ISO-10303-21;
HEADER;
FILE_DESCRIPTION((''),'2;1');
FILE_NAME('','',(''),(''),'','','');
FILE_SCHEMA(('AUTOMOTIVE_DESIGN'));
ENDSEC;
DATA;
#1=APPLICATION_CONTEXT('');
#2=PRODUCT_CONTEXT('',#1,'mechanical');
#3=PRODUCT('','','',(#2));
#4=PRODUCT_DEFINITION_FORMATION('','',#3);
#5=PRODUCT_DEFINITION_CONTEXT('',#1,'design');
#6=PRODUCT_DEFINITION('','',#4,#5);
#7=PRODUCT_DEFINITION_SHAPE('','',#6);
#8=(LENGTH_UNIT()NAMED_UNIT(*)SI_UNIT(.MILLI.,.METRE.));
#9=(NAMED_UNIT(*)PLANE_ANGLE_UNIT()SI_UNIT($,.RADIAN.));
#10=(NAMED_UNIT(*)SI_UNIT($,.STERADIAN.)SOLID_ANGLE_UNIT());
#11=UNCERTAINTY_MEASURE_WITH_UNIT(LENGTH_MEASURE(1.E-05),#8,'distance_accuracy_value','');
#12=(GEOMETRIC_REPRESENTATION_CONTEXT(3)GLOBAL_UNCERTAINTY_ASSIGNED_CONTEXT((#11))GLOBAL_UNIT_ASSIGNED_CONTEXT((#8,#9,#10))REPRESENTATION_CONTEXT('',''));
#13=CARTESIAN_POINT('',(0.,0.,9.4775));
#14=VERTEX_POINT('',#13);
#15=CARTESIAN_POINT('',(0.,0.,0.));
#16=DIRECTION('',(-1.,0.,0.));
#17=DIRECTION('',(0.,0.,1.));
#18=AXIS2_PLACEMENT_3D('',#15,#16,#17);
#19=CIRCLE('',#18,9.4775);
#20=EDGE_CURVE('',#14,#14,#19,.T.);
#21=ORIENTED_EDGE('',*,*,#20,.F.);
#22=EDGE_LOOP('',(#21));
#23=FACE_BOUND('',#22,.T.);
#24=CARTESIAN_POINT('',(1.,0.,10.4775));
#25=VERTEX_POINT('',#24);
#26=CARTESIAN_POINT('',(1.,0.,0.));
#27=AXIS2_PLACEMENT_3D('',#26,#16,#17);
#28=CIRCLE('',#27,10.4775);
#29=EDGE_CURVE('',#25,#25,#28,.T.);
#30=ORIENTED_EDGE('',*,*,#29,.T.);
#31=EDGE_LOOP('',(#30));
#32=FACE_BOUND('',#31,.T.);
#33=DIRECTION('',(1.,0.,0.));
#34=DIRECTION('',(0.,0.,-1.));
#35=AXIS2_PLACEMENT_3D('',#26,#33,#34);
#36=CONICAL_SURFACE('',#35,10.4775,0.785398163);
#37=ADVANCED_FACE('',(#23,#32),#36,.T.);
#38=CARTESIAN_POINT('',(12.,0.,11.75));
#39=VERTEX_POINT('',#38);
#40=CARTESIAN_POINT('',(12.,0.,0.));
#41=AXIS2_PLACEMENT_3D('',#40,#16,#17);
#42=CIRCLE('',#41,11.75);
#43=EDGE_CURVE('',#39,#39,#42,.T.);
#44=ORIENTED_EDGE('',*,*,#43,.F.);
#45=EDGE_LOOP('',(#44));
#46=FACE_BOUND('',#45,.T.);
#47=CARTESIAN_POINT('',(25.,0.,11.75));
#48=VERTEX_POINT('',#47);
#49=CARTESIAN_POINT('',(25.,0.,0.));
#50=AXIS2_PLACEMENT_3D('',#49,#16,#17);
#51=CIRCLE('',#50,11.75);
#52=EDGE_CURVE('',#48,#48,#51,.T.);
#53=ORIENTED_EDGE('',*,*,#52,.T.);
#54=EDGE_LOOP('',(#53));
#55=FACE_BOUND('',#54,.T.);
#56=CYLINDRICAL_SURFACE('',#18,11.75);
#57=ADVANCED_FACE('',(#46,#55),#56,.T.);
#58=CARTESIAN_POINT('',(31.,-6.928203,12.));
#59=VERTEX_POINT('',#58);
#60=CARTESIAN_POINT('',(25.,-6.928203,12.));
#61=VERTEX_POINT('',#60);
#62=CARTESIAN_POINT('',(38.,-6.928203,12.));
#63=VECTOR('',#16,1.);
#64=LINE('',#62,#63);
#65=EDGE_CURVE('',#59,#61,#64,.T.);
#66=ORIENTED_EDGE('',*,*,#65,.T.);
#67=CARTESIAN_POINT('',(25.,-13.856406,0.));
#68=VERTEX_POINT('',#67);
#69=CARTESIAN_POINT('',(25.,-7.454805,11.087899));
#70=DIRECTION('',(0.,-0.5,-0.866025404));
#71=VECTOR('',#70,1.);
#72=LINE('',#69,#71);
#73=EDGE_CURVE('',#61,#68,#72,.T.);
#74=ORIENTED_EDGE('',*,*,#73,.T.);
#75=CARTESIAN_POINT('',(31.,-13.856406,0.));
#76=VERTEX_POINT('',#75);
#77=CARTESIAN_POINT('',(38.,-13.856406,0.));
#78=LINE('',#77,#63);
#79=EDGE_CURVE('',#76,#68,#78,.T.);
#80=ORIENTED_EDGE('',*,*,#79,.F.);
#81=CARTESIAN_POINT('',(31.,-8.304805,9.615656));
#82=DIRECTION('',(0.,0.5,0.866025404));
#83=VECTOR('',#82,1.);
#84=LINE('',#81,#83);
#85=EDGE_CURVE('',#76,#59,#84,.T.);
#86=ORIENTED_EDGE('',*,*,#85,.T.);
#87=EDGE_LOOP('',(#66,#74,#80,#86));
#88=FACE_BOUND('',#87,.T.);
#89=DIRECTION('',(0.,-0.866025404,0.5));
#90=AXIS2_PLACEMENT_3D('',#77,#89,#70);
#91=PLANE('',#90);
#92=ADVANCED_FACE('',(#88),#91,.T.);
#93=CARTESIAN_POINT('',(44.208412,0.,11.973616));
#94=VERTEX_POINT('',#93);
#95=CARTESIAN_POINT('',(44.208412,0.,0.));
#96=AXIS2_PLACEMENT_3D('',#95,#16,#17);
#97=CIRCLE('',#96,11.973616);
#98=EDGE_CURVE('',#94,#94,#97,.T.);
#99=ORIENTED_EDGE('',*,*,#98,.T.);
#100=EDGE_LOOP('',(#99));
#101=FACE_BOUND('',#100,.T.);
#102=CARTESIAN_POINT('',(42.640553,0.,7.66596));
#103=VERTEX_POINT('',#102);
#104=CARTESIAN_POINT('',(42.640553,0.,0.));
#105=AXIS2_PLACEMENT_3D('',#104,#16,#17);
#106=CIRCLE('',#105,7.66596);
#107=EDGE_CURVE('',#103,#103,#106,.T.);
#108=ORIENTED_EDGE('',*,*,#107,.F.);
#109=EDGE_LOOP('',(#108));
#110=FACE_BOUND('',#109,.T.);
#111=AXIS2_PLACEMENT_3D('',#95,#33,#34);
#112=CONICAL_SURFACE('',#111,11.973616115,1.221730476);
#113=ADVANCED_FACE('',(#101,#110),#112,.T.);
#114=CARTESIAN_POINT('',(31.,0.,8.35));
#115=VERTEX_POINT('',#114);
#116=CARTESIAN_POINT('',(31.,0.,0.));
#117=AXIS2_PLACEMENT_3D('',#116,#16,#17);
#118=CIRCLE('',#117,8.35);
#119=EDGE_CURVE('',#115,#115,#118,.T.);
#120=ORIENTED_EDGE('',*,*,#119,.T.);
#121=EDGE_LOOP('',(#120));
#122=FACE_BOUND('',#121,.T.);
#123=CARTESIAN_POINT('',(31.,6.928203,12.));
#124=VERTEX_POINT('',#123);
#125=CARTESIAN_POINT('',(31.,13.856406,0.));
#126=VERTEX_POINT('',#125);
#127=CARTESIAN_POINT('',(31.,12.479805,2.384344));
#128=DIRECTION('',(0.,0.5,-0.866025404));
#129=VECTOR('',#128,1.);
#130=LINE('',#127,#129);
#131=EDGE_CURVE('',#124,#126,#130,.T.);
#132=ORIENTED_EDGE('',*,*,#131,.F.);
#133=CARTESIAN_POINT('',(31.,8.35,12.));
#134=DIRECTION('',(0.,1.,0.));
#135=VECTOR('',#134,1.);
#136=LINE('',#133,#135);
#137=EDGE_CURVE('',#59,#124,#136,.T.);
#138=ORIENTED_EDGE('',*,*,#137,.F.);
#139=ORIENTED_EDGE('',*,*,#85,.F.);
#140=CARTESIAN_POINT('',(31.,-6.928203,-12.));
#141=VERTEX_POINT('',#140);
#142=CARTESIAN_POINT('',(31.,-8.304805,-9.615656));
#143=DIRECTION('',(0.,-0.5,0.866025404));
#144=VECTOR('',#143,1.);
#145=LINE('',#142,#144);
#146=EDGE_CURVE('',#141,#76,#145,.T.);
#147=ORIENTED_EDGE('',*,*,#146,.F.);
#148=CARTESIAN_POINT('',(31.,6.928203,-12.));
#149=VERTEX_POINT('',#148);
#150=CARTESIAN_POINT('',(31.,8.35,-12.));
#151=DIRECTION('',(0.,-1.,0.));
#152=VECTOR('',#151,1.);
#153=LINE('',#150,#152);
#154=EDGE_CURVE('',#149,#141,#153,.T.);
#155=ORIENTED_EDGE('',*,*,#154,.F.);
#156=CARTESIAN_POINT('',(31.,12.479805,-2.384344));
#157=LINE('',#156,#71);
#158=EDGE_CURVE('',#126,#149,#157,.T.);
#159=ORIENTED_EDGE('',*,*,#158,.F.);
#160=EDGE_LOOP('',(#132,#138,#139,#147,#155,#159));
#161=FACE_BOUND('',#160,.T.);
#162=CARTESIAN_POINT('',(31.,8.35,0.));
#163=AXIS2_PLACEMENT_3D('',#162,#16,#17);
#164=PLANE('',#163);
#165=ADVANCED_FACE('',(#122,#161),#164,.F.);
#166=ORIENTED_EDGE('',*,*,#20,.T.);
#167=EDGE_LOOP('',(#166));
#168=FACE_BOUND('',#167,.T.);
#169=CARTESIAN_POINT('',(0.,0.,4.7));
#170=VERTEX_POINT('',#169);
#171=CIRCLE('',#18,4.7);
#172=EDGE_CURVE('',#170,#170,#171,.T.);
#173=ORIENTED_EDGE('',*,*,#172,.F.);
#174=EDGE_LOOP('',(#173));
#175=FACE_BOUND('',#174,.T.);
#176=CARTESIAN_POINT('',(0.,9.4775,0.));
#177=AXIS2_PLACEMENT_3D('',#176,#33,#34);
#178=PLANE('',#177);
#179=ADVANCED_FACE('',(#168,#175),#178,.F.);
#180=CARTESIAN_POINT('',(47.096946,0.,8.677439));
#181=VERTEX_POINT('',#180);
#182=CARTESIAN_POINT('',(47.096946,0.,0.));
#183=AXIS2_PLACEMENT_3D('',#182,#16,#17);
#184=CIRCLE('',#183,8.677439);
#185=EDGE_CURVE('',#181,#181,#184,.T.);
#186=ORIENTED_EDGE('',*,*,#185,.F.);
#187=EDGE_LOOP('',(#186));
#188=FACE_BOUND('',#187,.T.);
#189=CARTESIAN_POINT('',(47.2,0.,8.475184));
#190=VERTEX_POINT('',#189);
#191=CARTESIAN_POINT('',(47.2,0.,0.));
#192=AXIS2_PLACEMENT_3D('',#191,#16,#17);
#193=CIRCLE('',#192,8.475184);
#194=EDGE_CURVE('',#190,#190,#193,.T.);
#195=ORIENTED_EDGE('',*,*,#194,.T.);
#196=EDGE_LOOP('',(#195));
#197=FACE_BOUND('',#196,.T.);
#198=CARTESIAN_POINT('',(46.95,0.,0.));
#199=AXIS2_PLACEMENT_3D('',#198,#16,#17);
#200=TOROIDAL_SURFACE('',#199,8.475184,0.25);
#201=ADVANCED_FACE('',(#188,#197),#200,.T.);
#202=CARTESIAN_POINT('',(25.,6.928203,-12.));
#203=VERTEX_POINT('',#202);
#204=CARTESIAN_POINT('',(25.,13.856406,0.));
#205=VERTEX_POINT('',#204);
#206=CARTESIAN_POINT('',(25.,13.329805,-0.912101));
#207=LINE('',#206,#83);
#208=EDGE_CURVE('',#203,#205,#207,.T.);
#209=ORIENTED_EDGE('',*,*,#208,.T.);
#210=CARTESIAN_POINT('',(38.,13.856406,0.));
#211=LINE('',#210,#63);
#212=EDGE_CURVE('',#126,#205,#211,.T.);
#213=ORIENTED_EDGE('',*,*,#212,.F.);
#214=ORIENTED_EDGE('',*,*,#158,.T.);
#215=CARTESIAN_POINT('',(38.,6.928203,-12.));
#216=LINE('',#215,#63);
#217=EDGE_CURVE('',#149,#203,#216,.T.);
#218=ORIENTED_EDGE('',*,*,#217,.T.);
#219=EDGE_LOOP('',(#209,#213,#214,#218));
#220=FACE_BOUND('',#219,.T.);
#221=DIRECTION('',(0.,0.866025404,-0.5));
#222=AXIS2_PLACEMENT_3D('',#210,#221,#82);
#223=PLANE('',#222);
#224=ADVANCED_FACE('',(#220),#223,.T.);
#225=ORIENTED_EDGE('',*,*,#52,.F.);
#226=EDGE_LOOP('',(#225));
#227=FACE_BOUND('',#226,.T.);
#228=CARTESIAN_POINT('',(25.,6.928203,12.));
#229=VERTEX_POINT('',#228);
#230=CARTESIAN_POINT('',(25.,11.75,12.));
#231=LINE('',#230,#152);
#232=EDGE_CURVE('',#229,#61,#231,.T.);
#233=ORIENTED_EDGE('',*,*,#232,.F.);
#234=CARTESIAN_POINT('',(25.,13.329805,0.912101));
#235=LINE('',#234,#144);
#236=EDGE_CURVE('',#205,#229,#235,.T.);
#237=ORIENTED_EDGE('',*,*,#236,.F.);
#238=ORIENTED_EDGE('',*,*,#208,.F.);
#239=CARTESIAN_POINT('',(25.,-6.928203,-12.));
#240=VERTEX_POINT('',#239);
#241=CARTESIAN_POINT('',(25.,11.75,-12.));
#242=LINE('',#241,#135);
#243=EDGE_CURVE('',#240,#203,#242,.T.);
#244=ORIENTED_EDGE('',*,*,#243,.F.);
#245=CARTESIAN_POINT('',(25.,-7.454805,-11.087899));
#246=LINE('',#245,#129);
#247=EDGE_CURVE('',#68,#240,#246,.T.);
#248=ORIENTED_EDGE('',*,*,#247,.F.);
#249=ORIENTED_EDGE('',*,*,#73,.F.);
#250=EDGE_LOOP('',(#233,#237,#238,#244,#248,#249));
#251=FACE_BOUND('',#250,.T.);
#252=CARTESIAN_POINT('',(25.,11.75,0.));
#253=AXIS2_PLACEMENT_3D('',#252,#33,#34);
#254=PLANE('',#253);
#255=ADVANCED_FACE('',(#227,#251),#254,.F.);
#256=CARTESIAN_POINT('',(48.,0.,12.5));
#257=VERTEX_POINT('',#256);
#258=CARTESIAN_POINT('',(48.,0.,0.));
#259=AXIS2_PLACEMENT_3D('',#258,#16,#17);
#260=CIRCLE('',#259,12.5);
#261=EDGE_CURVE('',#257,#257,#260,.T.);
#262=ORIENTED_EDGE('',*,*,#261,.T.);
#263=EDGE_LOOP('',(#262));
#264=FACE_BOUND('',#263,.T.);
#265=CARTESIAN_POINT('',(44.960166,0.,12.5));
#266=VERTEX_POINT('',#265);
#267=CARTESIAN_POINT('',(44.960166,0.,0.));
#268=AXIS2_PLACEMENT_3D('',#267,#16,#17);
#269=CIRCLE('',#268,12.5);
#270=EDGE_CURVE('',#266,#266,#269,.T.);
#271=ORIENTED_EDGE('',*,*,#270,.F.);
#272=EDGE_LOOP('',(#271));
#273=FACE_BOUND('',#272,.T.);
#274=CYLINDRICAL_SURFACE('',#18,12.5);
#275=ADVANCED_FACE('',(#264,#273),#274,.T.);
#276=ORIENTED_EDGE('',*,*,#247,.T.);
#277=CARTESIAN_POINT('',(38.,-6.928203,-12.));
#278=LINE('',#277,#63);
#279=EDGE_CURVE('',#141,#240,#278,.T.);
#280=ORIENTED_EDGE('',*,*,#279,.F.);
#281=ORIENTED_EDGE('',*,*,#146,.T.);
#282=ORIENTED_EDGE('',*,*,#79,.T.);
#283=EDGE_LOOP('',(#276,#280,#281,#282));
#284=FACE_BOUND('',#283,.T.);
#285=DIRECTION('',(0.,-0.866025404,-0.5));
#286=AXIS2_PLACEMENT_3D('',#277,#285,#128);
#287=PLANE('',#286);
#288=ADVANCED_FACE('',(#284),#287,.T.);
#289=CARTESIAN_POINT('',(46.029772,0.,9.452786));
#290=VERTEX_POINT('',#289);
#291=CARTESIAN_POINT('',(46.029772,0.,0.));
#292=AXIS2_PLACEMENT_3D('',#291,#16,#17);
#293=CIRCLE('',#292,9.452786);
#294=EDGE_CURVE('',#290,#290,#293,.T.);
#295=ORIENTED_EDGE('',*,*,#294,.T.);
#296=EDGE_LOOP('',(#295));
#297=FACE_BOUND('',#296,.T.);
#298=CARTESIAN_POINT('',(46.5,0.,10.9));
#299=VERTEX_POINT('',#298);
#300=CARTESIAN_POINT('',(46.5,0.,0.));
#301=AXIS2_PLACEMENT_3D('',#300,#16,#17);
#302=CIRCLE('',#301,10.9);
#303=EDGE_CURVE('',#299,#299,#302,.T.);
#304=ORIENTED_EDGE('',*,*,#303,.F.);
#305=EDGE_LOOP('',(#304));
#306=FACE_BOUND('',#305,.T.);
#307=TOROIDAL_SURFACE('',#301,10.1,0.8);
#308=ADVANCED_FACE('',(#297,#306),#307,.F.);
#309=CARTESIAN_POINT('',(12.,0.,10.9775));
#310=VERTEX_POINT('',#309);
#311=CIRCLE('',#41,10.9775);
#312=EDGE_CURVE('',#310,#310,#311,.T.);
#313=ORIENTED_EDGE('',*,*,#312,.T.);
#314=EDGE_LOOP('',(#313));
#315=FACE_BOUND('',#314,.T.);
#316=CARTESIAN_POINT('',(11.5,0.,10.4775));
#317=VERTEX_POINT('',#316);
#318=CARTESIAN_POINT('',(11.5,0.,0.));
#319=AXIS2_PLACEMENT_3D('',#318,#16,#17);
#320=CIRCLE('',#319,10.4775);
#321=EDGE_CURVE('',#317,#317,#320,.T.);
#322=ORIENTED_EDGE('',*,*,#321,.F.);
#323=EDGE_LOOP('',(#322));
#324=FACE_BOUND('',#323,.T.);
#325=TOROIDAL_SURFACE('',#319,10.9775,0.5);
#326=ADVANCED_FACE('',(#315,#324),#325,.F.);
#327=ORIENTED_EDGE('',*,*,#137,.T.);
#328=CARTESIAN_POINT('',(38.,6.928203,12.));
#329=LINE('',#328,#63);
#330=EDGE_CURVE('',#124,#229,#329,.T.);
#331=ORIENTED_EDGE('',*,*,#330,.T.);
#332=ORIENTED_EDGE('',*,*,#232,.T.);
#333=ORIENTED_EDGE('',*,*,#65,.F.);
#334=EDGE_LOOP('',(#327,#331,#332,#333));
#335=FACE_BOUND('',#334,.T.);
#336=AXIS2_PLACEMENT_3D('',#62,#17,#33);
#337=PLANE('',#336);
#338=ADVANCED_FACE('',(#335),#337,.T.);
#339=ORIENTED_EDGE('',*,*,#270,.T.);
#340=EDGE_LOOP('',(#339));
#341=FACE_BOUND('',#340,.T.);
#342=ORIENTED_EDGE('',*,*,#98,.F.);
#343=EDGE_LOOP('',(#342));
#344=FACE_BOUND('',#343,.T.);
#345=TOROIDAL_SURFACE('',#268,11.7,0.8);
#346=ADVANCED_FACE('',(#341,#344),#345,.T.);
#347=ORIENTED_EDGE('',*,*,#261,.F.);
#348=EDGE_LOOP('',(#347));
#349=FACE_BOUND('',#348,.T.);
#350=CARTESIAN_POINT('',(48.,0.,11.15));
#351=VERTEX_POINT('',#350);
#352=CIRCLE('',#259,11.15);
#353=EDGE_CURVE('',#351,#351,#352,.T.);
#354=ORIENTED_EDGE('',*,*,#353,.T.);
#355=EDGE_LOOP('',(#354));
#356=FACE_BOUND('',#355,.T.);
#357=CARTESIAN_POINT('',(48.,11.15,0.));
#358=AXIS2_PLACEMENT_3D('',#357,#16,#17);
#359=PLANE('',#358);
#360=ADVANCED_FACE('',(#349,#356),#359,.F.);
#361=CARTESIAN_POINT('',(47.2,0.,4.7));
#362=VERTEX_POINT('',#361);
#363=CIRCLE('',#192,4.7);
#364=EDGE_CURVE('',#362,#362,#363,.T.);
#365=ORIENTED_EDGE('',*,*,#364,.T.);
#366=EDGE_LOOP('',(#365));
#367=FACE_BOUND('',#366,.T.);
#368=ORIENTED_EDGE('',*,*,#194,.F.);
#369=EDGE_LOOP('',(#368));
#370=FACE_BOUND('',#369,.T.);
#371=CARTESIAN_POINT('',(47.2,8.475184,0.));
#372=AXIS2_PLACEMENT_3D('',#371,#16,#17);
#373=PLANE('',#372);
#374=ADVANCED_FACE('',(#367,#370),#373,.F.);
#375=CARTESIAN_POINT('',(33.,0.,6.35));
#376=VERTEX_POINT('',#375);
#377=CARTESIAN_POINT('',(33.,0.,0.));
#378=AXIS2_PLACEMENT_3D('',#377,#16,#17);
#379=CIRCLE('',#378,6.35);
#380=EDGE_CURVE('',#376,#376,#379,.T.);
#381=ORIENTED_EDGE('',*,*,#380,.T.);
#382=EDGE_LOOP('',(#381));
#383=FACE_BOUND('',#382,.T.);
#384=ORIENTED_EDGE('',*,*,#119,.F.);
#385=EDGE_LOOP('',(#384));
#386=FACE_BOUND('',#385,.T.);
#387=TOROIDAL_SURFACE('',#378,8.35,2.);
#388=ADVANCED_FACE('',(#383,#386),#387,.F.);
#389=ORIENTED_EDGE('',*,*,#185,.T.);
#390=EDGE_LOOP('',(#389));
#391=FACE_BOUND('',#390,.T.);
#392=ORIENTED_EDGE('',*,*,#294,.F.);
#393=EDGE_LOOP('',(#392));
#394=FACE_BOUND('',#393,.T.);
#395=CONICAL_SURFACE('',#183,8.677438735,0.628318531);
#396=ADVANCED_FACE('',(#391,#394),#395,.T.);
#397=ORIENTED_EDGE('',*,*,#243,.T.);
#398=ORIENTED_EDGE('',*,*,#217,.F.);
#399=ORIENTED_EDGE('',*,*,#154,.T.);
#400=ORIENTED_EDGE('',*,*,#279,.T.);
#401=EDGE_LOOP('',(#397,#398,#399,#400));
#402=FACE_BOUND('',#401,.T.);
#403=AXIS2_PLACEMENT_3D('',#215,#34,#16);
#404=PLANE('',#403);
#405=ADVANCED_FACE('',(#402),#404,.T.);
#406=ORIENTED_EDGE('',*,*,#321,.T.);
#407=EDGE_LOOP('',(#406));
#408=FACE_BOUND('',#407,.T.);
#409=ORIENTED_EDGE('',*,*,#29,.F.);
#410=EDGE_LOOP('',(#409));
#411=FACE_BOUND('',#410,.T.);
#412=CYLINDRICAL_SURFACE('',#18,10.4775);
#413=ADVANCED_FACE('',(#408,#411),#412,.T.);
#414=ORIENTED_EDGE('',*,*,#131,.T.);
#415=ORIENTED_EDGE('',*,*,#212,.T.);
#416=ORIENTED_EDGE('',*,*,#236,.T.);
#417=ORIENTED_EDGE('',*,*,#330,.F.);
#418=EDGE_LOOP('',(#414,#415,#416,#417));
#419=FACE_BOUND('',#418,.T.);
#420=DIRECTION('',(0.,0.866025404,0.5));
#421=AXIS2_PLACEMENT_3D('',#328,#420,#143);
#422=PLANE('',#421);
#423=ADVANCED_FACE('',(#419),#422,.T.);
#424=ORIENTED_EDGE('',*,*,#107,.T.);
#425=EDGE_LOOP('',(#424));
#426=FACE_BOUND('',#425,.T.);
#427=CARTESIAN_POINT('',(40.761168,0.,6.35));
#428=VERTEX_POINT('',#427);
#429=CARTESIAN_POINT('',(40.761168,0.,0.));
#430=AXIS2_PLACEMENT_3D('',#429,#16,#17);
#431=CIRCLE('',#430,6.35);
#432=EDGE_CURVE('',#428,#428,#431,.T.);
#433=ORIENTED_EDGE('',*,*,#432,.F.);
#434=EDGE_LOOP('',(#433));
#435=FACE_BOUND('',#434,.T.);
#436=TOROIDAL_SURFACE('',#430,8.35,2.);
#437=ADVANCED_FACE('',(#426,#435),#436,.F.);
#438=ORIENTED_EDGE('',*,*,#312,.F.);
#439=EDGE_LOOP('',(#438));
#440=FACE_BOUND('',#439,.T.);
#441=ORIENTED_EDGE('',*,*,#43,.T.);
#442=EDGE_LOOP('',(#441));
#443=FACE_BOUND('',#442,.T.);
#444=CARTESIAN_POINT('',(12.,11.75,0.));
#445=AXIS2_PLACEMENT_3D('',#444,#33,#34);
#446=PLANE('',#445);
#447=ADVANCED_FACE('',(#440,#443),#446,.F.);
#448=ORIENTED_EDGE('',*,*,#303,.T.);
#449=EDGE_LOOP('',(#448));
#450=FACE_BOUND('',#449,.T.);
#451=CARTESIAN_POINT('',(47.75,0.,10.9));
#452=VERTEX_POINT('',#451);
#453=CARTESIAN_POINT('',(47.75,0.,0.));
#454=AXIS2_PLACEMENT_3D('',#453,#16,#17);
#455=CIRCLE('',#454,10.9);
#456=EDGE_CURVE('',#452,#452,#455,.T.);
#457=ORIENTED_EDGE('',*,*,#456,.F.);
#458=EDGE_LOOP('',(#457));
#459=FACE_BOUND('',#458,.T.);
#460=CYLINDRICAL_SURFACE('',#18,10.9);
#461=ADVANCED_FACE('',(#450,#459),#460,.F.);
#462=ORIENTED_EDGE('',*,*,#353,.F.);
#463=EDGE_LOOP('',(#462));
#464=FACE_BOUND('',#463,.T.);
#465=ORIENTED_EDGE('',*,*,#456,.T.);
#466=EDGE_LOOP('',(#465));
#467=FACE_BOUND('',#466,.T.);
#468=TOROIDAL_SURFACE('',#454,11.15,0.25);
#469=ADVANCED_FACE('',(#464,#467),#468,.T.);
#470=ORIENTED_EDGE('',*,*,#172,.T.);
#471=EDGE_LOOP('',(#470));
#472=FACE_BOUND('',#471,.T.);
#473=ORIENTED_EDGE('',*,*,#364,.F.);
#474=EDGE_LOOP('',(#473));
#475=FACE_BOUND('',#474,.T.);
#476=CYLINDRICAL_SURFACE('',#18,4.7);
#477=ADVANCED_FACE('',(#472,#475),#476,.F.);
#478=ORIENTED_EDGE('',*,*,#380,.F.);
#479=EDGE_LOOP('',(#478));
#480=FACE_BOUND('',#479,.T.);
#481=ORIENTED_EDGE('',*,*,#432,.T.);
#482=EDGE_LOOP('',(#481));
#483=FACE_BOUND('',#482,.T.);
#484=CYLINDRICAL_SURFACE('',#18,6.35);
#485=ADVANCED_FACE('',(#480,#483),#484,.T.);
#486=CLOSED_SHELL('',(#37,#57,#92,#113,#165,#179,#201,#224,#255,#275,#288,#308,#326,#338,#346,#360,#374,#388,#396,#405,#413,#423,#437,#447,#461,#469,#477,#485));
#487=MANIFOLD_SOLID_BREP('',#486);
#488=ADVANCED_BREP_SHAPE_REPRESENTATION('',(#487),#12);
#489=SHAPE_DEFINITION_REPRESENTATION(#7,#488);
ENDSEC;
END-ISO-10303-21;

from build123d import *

# Parameters (mm, degrees)
SCHNITT_LINEAR_START            = -38
SKIZZE2_R                       = 15
SCHNITT_LINEAR_AUSTRAGEN1_DEPTH = 38


with BuildPart() as part:
    # Skizze1 → Rotation1 (revolve)
    with BuildSketch(Plane.XY, mode=Mode.PRIVATE) as rotation1_sk:
        with BuildLine():
            Line((47.75, 10.9), (46.5, 10.9))
            ThreePointArc((46.5, 10.9), (45.739154787, 10.347213595), (46.029771798, 9.452786405))
            Line((46.029771798, 9.452786405), (47.096946313, 8.677438735))
            ThreePointArc((47.096946313, 8.677438735), (47.172751631, 8.588682111), (47.2, 8.475184486))
            Line((47.2, 8.475184486), (47.2, 4.7))
            Line((47.2, 4.7), (0, 4.7))
            Line((0, 4.7), (0, 9.4775))
            Line((0, 9.4775), (1, 10.4775))
            Line((1, 10.4775), (11.5, 10.4775))
            ThreePointArc((11.5, 10.4775), (11.853553391, 10.623946609), (12, 10.9775))
            Line((12, 10.9775), (12, 11.75))
            Line((12, 11.75), (25, 11.75))
            Line((25, 11.75), (25, 15))
            Line((25, 15), (31, 15))
            Line((31, 15), (31, 8.35))
            ThreePointArc((31, 8.35), (31.585786438, 6.935786438), (33, 6.35))
            Line((33, 6.35), (40.761167983, 6.35))
            ThreePointArc((40.761167983, 6.35), (41.908320856, 6.711695911), (42.640553224, 7.665959713))
            Line((42.640553224, 7.665959713), (44.208411934, 11.973616115))
            ThreePointArc((44.208411934, 11.973616115), (44.501304881, 12.355321635), (44.960166031, 12.5))
            Line((44.960166031, 12.5), (48, 12.5))
            Line((48, 12.5), (48, 11.15))
            ThreePointArc((48, 11.15), (47.926776695, 10.973223305), (47.75, 10.9))
        make_face()
    revolve(rotation1_sk.sketch.rotate(Axis((0, 0, 0), (1, 0, 0)), 90), axis=Axis((0, 0, 0), (1, 0, 0)))

    # Skizze2 → Schnitt-Linear austragen1 (cut)
    with BuildSketch(Plane.ZY.offset(SCHNITT_LINEAR_START)):
        Circle(SKIZZE2_R)
        Polygon((-12, -6.92820323), (0, -13.856406461), (12, -6.92820323), (12, 6.92820323), (0, 13.856406461), (-12, 6.92820323), align=None, mode=Mode.SUBTRACT)
    extrude(amount=SCHNITT_LINEAR_AUSTRAGEN1_DEPTH, mode=Mode.SUBTRACT)


solid = part.part
